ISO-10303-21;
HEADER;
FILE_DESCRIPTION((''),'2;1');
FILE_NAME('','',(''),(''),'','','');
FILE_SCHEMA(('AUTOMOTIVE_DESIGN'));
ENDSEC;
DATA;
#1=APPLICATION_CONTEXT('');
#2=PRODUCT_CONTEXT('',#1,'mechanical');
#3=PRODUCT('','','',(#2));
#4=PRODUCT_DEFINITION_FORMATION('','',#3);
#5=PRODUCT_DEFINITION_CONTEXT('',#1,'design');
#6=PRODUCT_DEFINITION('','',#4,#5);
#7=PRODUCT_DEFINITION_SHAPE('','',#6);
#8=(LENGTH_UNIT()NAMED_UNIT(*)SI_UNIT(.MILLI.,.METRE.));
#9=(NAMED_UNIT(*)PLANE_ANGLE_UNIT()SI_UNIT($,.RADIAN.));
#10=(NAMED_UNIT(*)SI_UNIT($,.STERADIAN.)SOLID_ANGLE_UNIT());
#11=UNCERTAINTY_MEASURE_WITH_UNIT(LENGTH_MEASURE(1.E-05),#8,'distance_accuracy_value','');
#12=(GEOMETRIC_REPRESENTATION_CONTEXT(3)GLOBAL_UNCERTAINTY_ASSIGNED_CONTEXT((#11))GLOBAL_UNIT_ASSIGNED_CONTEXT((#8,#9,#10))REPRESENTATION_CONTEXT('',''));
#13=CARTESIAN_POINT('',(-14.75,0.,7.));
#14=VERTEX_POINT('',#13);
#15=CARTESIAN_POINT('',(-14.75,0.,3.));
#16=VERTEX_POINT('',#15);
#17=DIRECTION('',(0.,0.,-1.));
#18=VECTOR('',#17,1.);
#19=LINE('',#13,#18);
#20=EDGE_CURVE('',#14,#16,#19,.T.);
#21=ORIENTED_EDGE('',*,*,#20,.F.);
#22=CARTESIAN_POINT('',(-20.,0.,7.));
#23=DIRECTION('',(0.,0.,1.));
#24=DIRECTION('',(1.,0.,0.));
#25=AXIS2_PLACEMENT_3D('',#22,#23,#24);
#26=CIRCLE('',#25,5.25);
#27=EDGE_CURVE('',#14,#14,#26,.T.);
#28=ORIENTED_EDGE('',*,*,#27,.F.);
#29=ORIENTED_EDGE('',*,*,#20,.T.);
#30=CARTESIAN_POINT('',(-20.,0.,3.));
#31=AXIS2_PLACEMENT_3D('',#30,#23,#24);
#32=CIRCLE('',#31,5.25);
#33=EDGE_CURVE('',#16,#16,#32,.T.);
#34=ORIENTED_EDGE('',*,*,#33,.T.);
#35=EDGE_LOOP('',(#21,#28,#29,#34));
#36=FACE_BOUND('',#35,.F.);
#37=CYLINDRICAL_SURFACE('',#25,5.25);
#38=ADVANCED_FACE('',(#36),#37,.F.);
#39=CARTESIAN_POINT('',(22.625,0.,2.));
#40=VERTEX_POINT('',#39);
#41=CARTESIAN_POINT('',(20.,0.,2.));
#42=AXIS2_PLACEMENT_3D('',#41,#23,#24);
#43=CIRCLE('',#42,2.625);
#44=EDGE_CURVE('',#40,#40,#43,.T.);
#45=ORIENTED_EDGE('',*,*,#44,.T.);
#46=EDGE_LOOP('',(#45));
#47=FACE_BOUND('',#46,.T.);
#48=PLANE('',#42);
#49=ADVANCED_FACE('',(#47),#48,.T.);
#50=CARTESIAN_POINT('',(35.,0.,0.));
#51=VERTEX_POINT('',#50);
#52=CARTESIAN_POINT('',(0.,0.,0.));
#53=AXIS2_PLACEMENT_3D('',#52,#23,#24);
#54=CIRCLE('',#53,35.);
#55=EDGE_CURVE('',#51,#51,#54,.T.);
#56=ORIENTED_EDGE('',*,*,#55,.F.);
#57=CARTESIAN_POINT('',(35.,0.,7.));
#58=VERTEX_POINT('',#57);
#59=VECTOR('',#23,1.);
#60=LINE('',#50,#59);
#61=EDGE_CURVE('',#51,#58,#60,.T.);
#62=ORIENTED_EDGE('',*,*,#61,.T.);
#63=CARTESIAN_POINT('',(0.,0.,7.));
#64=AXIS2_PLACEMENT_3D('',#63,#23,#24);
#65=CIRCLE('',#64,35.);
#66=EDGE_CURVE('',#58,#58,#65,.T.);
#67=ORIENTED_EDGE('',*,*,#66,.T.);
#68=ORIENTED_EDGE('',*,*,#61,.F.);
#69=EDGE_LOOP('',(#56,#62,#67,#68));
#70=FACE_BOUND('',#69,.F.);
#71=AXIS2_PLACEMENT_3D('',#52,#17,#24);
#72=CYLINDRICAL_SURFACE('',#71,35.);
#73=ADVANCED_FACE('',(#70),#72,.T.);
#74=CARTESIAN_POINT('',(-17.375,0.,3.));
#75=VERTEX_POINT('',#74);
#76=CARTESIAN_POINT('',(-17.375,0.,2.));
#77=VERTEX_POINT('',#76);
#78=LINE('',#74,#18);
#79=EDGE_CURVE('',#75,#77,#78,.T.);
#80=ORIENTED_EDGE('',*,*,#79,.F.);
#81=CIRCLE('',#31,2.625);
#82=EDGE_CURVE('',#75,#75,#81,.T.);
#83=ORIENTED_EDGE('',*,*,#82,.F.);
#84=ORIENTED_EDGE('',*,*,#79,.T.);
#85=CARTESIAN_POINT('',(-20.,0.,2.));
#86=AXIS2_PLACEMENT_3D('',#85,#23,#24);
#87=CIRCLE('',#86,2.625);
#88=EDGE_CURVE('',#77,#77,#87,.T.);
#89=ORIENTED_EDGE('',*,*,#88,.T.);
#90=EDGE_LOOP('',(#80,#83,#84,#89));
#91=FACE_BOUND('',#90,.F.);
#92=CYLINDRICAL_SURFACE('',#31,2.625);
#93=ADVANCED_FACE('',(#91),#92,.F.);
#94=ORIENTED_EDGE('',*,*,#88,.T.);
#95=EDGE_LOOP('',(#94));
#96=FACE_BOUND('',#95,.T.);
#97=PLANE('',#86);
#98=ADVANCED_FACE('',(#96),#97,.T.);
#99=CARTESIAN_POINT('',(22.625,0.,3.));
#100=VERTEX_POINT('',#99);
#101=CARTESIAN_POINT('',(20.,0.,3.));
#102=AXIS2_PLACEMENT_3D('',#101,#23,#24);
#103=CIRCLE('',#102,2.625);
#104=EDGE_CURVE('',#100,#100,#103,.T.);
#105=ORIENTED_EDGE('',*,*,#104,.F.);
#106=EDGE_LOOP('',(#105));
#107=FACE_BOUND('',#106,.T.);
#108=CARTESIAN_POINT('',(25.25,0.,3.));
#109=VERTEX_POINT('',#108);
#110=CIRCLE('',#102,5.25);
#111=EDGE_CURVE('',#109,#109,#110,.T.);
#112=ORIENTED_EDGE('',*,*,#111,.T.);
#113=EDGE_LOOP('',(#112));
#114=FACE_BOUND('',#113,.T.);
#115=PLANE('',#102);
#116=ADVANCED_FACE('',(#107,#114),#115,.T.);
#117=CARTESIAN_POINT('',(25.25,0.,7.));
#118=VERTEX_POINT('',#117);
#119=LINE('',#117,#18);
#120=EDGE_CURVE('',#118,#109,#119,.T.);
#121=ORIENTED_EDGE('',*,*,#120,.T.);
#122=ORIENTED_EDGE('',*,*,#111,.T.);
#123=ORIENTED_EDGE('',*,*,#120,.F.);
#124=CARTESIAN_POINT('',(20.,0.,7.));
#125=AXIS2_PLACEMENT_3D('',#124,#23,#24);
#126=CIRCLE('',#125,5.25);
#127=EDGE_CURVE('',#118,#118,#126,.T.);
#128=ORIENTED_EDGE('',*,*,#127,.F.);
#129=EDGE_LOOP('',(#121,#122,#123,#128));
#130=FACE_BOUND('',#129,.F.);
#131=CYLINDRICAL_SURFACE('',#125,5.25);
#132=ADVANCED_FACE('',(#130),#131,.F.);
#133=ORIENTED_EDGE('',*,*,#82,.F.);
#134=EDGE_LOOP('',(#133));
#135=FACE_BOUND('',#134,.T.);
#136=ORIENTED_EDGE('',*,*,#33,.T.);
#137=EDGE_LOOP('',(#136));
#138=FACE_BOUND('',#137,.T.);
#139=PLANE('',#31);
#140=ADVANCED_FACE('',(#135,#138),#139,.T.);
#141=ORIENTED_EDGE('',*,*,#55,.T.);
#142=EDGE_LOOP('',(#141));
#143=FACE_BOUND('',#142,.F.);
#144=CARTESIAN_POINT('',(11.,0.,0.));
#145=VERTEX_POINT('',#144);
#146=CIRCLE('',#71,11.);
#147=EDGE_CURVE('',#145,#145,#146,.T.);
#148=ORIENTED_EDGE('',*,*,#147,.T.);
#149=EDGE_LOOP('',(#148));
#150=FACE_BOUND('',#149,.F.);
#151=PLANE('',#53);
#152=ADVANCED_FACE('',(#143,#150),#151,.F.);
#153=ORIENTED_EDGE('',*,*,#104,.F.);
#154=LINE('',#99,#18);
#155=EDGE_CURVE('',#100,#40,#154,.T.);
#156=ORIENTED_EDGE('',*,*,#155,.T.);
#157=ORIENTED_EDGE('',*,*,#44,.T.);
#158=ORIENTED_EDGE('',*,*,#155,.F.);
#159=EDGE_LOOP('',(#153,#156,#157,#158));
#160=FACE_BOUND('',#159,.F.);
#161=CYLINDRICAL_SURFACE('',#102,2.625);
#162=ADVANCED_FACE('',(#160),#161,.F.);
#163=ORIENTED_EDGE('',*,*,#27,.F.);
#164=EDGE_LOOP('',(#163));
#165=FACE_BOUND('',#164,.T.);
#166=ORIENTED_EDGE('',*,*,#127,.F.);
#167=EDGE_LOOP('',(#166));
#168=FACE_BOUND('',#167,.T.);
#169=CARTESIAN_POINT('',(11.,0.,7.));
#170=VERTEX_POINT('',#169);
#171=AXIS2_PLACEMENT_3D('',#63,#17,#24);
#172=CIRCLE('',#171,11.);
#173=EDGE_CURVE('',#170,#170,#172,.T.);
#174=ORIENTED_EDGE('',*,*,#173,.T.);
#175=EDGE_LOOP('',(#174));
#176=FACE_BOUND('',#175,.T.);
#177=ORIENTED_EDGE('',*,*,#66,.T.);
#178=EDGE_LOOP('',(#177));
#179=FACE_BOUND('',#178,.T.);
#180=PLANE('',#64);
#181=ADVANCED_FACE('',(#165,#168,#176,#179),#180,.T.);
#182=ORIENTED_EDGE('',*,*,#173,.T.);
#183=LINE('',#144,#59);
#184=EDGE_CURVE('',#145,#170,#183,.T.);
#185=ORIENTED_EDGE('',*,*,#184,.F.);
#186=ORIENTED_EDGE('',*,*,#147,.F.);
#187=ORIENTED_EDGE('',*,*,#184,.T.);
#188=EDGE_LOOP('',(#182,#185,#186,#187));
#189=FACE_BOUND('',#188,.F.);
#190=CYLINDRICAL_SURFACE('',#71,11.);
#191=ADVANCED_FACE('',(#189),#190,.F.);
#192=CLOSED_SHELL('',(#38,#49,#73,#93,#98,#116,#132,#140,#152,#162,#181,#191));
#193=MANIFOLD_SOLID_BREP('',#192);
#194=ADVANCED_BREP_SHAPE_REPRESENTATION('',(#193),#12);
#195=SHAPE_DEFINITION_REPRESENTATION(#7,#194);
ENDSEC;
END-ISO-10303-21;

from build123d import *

# Parameters (mm, degrees)
SKETCH_R        = 35
PAD_DEPTH       = 7
SKETCH002_R     = 11
POCKET_DEPTH    = 7
SKETCH003_R     = 5.25
POCKET001_DEPTH = 4
SKETCH004_R     = 2.625
POCKET002_DEPTH = 1


with BuildPart() as part:
    # Sketch → Pad (new body)
    with BuildSketch(Plane.XY):
        Circle(SKETCH_R)
    extrude(amount=PAD_DEPTH)

    # Sketch002 → Pocket (cut)
    with BuildSketch(Plane(origin=(0, 0, 0), x_dir=(1, 0, 0), z_dir=(0, 0, -1))):
        Circle(SKETCH002_R)
    extrude(amount=-POCKET_DEPTH, mode=Mode.SUBTRACT)

    # Sketch003 (on Face3 of Pocket) → Pocket001 (cut)
    with BuildSketch(Plane.XY.offset(7)):
        with Locations((20, 0)):
            Circle(SKETCH003_R)
        with Locations((-20, 0)):
            Circle(SKETCH003_R)
    extrude(amount=-POCKET001_DEPTH, mode=Mode.SUBTRACT)

    # Sketch004 (on Face7 of Pocket001) → Pocket002 (cut)
    with BuildSketch(Plane.XY.offset(3)):
        with Locations((-20, 0)):
            Circle(SKETCH004_R)
        with Locations((20, 0)):
            Circle(SKETCH004_R)
    extrude(amount=-POCKET002_DEPTH, mode=Mode.SUBTRACT)


solid = part.part
